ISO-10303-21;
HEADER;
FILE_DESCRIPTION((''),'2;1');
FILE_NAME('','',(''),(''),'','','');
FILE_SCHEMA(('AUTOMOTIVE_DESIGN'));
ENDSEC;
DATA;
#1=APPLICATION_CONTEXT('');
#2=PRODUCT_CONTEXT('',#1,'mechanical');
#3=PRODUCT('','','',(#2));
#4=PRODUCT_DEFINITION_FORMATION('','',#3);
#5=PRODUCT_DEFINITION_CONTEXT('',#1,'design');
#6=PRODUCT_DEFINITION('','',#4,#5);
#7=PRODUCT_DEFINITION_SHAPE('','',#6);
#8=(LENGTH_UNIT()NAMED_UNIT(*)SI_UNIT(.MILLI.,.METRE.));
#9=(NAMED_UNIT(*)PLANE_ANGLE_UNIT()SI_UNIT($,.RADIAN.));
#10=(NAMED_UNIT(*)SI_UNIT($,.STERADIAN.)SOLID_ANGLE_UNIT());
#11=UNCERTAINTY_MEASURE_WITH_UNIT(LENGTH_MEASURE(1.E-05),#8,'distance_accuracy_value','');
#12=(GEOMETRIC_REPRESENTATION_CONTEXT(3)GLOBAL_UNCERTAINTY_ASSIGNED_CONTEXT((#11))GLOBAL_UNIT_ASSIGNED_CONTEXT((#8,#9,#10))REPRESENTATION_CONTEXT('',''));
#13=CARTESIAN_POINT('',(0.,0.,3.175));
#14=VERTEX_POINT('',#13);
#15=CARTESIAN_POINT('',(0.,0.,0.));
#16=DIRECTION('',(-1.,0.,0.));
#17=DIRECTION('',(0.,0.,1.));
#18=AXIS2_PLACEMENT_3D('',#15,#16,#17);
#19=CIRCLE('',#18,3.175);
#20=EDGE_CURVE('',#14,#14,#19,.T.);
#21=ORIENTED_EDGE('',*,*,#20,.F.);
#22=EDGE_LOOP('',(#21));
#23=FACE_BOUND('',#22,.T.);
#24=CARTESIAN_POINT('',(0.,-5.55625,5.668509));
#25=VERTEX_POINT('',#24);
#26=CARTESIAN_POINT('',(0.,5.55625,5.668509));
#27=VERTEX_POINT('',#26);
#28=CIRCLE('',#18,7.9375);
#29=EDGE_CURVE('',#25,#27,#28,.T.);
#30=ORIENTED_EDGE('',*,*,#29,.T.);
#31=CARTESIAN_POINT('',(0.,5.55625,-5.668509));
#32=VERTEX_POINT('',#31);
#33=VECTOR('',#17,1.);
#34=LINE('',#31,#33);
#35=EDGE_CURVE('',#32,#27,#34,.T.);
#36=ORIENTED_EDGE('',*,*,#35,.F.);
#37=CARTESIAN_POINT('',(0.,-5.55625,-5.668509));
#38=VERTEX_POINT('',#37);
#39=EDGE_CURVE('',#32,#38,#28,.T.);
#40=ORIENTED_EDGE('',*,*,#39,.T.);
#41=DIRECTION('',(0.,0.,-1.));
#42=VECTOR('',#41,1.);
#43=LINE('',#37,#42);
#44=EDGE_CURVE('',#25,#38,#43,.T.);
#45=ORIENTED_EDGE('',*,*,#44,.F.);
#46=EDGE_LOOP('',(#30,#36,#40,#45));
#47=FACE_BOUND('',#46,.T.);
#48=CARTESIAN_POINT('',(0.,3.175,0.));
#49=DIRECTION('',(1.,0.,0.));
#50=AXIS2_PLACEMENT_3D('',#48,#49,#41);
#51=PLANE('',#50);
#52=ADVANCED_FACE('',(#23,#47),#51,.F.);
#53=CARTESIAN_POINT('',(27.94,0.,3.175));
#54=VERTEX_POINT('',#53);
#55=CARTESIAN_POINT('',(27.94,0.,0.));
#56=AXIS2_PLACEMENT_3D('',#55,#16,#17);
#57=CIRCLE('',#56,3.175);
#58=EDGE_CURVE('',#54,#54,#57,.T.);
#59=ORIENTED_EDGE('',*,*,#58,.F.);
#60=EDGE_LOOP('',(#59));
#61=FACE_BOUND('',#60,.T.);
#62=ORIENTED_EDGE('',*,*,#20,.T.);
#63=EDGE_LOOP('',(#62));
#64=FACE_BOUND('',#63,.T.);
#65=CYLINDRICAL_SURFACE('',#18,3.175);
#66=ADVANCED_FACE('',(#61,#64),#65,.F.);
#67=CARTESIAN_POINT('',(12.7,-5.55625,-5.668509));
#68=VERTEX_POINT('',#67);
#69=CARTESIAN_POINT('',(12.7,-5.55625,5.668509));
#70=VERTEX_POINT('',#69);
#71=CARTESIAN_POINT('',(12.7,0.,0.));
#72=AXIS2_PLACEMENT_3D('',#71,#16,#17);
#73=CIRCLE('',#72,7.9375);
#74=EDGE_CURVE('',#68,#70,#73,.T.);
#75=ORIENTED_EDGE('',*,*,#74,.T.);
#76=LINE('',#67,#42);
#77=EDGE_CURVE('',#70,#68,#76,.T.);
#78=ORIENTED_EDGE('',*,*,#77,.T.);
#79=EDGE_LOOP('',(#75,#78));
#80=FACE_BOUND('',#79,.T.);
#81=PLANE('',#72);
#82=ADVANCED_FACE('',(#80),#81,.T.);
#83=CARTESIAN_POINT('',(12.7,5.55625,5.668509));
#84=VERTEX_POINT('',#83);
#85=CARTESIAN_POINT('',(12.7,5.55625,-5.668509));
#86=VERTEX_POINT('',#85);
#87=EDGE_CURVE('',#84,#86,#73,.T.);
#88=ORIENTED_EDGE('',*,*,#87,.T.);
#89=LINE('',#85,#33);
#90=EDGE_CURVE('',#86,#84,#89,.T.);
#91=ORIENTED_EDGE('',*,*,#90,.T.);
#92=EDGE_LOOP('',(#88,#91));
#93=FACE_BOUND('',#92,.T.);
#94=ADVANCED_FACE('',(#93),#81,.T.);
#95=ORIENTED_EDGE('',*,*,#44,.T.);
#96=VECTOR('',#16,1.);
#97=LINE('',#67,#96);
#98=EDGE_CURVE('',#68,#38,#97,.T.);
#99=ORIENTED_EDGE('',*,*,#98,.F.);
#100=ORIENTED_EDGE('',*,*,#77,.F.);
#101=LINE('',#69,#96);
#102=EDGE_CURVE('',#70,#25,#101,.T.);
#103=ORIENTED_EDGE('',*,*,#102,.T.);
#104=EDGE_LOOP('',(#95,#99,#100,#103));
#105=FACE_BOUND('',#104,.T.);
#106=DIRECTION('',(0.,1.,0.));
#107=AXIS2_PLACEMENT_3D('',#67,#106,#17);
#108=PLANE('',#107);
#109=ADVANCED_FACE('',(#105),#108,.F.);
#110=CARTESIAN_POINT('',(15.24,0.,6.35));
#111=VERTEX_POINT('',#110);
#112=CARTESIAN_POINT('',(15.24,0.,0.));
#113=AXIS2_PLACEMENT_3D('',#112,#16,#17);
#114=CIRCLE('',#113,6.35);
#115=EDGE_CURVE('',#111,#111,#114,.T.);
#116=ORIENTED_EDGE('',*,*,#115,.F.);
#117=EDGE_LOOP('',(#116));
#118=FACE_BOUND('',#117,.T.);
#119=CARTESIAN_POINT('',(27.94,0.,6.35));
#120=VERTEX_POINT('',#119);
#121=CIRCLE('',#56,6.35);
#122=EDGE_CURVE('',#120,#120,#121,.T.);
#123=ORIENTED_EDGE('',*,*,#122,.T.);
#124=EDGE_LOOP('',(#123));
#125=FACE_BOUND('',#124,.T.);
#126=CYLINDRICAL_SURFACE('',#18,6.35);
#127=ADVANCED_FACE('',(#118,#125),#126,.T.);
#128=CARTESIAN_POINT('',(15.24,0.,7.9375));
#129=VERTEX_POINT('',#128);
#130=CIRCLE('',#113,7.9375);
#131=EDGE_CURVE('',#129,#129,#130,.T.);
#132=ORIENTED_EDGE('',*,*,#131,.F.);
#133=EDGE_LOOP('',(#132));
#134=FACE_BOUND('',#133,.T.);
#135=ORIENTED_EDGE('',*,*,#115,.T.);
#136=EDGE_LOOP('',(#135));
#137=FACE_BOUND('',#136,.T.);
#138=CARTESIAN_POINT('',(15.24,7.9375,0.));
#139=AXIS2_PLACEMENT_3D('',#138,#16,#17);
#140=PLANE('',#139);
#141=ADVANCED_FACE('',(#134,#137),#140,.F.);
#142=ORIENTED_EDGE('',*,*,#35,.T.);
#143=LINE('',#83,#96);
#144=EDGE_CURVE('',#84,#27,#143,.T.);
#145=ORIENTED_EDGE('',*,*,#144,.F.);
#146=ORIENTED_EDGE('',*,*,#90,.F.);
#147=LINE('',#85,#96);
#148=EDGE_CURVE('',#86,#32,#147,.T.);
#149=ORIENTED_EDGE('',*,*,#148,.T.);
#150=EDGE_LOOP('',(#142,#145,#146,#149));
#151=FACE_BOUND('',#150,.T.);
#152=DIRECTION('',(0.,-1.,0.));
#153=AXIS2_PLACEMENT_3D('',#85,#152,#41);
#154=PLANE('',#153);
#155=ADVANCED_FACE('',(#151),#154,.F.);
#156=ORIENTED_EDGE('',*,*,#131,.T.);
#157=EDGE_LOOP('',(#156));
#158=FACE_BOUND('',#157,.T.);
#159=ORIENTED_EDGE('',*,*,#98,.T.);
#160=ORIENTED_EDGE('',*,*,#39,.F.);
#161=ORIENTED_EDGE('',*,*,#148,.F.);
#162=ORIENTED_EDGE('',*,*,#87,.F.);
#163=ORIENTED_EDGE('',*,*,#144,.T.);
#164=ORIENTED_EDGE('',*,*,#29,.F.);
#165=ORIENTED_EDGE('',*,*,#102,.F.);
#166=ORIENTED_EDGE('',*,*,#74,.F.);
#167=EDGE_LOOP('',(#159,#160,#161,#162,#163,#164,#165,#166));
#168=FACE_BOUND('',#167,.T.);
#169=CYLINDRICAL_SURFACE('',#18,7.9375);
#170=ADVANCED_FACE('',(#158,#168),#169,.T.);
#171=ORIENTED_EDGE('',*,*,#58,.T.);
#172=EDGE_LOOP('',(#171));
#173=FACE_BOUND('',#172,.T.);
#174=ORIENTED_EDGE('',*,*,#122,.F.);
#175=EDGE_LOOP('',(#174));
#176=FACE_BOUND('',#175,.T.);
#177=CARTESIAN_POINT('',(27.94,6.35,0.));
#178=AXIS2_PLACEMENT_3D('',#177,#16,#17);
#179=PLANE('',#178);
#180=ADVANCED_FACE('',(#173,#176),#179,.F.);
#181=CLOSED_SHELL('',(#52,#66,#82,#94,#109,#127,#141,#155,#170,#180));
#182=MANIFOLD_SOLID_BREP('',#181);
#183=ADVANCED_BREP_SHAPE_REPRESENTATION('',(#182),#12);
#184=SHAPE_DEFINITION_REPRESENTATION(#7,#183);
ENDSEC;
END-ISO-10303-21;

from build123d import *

# Parameters (mm, degrees)
CUT_EXTRUDE2_START = -12.7
CUT_EXTRUDE2_DEPTH = 12.7


with BuildPart() as part:
    # Sketch1 → Revolve1 (revolve)
    with BuildSketch(Plane.XY, mode=Mode.PRIVATE) as revolve1_sk:
        Polygon((0, 3.175), (0, 7.9375), (15.24, 7.9375), (15.24, 6.35), (27.94, 6.35), (27.94, 3.175), align=None)
    revolve(revolve1_sk.sketch.rotate(Axis((0, 0, 0), (1, 0, 0)), 90), axis=Axis((0, 0, 0), (1, 0, 0)))

    # Sketch2 → Cut-Extrude2 (cut)
    with BuildSketch(Plane.ZY.offset(CUT_EXTRUDE2_START)):
        with BuildLine():
            Line((-5.668508815, 5.55625), (5.668508815, 5.55625))
            ThreePointArc((5.668508815, 5.55625), (0, 7.9375), (-5.668508815, 5.55625))
        make_face()
        with BuildLine():
            Line((-5.668508815, -5.55625), (5.668508815, -5.55625))
            ThreePointArc((5.668508815, -5.55625), (0, -7.9375), (-5.668508815, -5.55625))
        make_face()
    extrude(amount=CUT_EXTRUDE2_DEPTH, mode=Mode.SUBTRACT)


solid = part.part
